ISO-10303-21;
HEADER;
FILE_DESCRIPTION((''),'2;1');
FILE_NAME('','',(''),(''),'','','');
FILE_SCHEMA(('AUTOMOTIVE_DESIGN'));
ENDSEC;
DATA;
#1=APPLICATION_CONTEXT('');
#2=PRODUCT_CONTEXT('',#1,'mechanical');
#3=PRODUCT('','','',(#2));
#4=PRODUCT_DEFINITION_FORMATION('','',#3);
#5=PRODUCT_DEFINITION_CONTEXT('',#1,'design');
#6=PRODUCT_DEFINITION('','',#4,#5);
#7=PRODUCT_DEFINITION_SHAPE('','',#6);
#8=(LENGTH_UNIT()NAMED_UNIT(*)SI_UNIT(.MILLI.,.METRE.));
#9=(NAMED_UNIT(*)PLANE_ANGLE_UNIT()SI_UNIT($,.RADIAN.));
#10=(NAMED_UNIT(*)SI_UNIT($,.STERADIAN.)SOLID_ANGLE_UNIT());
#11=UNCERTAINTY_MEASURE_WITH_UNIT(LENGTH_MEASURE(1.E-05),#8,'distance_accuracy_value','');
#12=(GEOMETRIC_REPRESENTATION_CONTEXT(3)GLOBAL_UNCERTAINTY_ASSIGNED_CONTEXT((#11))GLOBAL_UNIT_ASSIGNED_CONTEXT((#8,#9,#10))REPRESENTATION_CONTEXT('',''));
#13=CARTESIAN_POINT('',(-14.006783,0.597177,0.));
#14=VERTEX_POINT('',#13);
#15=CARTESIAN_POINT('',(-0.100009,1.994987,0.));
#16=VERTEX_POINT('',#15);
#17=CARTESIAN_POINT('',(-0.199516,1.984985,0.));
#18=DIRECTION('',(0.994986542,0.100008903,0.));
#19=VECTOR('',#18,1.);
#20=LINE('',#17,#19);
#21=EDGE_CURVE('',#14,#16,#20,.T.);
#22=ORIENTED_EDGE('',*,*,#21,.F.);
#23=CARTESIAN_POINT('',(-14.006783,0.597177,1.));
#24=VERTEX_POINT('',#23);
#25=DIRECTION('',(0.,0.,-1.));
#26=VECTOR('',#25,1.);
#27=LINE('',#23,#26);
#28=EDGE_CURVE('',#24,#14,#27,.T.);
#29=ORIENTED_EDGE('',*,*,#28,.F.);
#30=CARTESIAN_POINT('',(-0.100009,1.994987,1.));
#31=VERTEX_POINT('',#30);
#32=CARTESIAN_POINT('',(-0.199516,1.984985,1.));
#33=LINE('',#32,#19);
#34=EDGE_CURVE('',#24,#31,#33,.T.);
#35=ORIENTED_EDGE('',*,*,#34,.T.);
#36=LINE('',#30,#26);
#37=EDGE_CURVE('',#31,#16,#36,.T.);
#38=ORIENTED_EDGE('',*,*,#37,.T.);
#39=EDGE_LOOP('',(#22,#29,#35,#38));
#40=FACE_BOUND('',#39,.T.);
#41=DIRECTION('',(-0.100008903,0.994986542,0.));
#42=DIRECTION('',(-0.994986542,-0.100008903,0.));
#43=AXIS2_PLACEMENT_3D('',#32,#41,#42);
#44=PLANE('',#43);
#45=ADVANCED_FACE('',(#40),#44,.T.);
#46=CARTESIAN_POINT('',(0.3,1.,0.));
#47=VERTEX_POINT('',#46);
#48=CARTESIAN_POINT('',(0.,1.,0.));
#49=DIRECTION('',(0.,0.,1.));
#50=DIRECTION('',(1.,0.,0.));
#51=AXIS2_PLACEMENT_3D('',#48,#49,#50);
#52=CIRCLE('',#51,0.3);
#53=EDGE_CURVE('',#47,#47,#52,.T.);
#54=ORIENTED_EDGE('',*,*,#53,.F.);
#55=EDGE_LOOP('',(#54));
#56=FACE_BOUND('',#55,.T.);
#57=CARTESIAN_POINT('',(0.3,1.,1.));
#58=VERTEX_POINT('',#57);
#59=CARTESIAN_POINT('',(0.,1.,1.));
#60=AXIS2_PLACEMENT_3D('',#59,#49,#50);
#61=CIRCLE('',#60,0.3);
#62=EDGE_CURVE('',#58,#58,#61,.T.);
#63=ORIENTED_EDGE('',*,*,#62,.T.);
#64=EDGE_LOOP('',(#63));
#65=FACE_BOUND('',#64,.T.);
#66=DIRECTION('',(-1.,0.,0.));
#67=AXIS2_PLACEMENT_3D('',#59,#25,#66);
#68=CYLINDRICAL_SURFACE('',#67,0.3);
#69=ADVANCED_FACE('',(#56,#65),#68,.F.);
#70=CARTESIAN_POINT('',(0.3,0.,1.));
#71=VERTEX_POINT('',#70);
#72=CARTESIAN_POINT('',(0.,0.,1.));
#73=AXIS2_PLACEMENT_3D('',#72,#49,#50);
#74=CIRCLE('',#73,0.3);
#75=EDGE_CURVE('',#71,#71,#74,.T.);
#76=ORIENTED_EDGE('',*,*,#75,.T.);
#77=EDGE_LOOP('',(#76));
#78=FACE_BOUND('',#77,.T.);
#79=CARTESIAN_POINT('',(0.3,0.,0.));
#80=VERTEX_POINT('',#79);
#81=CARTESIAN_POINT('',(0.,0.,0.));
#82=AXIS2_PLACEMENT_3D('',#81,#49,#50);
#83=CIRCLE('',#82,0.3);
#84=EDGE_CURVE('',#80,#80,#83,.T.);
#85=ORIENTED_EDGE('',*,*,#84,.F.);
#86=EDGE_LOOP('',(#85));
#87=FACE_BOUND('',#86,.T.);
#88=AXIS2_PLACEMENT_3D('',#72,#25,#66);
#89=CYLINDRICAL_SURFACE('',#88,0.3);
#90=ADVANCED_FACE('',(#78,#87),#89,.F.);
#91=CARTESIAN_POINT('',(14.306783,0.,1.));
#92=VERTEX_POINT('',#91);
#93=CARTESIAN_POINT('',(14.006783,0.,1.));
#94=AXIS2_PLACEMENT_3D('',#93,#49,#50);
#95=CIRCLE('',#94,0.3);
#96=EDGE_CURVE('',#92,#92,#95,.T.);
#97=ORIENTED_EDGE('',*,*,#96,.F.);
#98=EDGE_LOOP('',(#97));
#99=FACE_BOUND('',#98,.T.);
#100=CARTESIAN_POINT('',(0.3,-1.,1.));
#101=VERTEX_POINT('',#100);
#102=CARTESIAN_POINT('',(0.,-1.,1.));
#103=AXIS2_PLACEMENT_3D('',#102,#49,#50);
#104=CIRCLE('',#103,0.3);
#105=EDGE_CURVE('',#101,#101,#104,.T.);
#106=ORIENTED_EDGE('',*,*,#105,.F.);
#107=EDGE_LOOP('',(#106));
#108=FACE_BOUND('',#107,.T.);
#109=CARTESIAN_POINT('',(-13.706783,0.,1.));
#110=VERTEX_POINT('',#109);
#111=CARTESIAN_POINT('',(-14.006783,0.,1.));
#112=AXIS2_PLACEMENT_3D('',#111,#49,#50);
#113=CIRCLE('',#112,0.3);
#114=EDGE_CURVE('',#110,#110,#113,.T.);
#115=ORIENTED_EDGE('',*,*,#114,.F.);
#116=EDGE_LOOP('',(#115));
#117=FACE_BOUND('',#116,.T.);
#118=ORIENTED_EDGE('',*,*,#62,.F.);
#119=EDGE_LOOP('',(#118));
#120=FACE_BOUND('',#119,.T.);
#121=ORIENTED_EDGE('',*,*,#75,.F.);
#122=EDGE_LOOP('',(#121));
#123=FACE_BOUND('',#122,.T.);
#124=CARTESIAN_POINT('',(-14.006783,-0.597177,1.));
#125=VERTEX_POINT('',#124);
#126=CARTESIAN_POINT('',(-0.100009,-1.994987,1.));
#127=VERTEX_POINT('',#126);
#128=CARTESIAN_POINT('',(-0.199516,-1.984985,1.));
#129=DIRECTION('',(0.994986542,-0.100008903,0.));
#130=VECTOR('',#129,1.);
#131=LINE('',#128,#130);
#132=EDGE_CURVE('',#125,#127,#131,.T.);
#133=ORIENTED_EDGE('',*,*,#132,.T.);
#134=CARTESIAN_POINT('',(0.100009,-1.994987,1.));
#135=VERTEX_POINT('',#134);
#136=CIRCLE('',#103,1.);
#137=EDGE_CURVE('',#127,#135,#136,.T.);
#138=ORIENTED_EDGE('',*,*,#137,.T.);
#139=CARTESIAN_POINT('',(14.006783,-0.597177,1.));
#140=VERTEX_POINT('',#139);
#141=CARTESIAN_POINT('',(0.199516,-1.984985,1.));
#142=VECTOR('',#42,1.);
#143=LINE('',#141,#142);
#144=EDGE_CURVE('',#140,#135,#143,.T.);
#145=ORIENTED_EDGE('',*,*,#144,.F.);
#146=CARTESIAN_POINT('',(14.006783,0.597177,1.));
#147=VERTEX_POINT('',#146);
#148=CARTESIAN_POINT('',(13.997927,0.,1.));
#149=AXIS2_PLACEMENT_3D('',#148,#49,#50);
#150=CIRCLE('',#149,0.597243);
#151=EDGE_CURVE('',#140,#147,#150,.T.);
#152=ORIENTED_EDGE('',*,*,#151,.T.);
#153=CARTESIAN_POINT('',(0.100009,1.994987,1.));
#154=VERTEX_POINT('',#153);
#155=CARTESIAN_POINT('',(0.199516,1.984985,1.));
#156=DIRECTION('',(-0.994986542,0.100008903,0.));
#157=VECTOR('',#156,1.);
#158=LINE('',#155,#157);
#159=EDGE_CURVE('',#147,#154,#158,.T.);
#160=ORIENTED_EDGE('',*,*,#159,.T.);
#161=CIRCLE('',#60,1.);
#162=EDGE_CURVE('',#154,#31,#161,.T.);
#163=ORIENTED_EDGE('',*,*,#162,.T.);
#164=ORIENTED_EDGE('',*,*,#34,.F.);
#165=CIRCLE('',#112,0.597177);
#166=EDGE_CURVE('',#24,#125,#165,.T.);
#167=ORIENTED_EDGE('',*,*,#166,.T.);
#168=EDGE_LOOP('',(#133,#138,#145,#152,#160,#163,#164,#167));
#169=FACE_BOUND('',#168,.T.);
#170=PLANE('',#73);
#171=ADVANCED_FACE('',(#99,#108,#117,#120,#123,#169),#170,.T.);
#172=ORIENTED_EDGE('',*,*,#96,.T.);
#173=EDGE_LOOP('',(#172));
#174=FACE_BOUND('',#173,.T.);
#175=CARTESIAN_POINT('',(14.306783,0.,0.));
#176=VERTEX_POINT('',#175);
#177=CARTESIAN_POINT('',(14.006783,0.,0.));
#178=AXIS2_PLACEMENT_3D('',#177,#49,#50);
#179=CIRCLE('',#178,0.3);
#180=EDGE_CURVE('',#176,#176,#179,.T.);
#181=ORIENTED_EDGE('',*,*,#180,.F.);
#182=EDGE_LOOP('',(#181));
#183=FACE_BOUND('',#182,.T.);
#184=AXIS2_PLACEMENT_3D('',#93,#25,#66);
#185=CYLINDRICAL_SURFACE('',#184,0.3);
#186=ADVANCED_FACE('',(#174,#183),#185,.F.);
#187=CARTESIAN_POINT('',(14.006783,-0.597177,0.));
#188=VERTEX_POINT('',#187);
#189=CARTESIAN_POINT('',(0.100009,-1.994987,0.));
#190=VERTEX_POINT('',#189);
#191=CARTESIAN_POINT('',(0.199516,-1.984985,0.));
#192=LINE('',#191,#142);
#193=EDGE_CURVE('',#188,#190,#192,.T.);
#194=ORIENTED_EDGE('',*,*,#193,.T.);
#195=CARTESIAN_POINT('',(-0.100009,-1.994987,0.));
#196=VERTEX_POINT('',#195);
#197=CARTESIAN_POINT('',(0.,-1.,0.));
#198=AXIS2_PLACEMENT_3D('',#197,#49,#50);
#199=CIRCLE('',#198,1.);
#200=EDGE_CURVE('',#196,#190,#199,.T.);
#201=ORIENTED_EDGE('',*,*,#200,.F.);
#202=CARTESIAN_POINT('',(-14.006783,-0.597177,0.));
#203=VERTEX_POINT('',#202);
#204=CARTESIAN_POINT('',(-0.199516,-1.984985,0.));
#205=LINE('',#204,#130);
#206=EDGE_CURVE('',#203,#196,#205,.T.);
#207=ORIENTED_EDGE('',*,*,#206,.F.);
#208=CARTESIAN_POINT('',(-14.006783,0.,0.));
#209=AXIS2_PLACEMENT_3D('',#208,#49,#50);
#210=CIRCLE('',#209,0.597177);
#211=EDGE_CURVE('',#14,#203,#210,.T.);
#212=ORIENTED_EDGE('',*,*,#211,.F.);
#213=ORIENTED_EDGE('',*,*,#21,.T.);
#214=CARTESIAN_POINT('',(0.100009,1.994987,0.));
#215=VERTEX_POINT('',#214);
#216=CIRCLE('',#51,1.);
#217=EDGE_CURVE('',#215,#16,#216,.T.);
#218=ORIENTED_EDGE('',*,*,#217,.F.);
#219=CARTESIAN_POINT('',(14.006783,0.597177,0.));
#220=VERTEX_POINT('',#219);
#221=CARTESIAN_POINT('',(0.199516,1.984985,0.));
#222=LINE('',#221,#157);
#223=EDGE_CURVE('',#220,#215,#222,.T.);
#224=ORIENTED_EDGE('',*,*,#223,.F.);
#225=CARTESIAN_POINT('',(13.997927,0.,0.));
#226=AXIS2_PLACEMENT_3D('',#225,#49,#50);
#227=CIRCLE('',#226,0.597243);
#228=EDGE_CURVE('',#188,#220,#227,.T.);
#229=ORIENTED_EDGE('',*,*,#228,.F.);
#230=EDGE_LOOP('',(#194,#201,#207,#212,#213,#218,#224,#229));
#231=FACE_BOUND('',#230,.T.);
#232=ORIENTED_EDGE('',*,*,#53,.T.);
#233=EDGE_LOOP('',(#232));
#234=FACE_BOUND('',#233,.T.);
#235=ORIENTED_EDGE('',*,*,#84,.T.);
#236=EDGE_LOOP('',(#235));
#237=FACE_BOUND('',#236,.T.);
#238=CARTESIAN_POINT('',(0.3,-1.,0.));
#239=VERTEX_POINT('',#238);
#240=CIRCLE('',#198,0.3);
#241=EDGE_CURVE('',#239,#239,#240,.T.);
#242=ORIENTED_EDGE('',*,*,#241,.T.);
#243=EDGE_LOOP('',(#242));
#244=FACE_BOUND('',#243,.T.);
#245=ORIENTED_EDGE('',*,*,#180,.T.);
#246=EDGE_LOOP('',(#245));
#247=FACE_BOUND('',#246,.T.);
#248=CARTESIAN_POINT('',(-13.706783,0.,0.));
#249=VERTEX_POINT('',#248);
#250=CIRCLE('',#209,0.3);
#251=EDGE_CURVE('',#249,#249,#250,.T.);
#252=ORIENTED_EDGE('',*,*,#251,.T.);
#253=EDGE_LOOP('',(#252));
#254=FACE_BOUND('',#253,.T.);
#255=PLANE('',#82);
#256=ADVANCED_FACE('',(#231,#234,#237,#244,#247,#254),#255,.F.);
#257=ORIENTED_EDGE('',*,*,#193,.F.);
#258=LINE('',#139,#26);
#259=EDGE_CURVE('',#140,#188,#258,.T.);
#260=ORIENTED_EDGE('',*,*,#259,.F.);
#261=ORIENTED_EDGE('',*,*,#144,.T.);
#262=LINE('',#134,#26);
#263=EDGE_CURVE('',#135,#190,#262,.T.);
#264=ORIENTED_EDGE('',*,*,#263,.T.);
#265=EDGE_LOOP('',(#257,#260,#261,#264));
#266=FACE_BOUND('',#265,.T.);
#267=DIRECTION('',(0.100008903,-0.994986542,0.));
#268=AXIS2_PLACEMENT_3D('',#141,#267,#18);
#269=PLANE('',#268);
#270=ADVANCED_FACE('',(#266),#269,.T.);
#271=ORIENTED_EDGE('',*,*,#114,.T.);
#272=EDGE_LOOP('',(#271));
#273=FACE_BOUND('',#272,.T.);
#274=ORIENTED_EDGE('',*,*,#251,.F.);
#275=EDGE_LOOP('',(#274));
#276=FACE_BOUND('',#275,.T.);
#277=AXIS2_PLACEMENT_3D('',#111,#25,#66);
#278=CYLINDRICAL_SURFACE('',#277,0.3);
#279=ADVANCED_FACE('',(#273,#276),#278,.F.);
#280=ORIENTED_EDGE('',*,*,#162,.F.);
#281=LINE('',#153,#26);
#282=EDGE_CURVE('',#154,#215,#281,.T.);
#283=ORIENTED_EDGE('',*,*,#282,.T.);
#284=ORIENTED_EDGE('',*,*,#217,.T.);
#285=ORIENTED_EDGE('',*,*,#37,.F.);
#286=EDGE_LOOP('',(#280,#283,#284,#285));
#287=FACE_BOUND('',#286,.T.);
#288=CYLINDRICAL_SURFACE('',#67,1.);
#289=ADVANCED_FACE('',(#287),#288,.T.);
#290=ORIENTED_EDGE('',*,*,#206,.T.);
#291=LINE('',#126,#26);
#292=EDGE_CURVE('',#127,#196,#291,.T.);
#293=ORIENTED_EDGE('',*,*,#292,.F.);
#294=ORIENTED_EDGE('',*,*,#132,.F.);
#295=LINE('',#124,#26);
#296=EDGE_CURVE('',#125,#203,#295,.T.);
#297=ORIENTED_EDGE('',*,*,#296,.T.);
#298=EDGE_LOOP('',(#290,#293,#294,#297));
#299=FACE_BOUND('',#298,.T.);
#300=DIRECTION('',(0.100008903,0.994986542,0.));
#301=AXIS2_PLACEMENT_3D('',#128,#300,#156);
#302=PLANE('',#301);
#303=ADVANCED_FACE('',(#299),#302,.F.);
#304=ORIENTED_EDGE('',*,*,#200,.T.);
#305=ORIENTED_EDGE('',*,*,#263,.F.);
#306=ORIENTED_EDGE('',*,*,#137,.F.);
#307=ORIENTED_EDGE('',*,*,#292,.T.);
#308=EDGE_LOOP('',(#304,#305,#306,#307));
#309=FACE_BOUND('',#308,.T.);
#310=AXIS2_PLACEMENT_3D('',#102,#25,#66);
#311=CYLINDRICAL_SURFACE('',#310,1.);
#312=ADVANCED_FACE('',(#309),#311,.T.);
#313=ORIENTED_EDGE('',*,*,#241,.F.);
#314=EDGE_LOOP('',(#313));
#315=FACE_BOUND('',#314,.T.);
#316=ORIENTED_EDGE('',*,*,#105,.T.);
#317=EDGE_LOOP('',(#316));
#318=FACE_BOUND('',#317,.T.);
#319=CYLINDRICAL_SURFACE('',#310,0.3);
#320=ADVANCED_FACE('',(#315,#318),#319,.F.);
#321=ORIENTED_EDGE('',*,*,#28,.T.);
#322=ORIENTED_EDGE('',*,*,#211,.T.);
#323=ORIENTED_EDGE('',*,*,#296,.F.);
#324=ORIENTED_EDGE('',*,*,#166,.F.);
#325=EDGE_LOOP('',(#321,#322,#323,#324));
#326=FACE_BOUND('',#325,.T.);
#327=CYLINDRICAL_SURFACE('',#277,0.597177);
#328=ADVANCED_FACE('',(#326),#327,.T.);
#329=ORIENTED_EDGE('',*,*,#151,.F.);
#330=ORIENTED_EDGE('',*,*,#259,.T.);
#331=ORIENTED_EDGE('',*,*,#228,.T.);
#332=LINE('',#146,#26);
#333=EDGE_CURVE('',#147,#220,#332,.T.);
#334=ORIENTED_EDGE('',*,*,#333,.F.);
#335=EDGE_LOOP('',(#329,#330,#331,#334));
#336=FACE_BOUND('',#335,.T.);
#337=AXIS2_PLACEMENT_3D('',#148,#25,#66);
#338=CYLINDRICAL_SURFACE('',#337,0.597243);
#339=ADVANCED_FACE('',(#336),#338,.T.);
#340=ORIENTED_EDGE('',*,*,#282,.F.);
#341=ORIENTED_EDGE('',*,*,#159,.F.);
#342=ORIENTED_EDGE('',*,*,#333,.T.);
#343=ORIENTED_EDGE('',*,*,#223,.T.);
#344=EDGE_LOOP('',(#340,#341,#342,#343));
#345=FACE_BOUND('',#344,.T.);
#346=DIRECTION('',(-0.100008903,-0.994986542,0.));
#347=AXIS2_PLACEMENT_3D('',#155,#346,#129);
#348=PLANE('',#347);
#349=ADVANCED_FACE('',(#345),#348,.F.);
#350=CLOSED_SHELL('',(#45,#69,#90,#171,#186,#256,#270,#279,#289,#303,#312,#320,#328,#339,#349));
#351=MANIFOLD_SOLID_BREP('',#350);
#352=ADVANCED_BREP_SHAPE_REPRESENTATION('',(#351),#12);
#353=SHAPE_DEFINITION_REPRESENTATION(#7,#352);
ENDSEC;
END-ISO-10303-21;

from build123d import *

# Parameters (mm, degrees)
SKETCH_1_R      = 0.3
EXTRUDE_4_DEPTH = 1


with BuildPart() as part:
    # 草图1 → 凸台-拉伸4 (new body)
    with BuildSketch(Plane.XY):
        with BuildLine():
            Line((-0.100008903, 1.994986542), (-14.006783195, 0.597177449))
            ThreePointArc((-14.006783195, 0.597177449), (-14.603960644, 0), (-14.006783195, -0.597177449))
            Line((-14.006783195, -0.597177449), (-0.100008903, -1.994986542))
            ThreePointArc((-0.100008903, -1.994986542), (0, -2), (0.100008903, -1.994986542))
            Line((0.100008903, -1.994986542), (14.006783195, -0.597177449))
            ThreePointArc((14.006783195, -0.597177449), (14.595169998, 0), (14.006783195, 0.597177449))
            Line((14.006783195, 0.597177449), (0.100008903, 1.994986542))
            ThreePointArc((0.100008903, 1.994986542), (0, 2), (-0.100008903, 1.994986542))
        make_face()
        with Locations((0, -1)):
            Circle(SKETCH_1_R, mode=Mode.SUBTRACT)
        with Locations((-14.006783195, 0)):
            Circle(SKETCH_1_R, mode=Mode.SUBTRACT)
        with BuildLine():
            ThreePointArc((0, -0.3), (-0.3, 0), (0, 0.3))
            ThreePointArc((0, 0.3), (0.3, 0), (0, -0.3))
        make_face(mode=Mode.SUBTRACT)
        with Locations((0, 1)):
            Circle(SKETCH_1_R, mode=Mode.SUBTRACT)
        with Locations((14.006783195, 0)):
            Circle(SKETCH_1_R, mode=Mode.SUBTRACT)
    extrude(amount=EXTRUDE_4_DEPTH)


solid = part.part
